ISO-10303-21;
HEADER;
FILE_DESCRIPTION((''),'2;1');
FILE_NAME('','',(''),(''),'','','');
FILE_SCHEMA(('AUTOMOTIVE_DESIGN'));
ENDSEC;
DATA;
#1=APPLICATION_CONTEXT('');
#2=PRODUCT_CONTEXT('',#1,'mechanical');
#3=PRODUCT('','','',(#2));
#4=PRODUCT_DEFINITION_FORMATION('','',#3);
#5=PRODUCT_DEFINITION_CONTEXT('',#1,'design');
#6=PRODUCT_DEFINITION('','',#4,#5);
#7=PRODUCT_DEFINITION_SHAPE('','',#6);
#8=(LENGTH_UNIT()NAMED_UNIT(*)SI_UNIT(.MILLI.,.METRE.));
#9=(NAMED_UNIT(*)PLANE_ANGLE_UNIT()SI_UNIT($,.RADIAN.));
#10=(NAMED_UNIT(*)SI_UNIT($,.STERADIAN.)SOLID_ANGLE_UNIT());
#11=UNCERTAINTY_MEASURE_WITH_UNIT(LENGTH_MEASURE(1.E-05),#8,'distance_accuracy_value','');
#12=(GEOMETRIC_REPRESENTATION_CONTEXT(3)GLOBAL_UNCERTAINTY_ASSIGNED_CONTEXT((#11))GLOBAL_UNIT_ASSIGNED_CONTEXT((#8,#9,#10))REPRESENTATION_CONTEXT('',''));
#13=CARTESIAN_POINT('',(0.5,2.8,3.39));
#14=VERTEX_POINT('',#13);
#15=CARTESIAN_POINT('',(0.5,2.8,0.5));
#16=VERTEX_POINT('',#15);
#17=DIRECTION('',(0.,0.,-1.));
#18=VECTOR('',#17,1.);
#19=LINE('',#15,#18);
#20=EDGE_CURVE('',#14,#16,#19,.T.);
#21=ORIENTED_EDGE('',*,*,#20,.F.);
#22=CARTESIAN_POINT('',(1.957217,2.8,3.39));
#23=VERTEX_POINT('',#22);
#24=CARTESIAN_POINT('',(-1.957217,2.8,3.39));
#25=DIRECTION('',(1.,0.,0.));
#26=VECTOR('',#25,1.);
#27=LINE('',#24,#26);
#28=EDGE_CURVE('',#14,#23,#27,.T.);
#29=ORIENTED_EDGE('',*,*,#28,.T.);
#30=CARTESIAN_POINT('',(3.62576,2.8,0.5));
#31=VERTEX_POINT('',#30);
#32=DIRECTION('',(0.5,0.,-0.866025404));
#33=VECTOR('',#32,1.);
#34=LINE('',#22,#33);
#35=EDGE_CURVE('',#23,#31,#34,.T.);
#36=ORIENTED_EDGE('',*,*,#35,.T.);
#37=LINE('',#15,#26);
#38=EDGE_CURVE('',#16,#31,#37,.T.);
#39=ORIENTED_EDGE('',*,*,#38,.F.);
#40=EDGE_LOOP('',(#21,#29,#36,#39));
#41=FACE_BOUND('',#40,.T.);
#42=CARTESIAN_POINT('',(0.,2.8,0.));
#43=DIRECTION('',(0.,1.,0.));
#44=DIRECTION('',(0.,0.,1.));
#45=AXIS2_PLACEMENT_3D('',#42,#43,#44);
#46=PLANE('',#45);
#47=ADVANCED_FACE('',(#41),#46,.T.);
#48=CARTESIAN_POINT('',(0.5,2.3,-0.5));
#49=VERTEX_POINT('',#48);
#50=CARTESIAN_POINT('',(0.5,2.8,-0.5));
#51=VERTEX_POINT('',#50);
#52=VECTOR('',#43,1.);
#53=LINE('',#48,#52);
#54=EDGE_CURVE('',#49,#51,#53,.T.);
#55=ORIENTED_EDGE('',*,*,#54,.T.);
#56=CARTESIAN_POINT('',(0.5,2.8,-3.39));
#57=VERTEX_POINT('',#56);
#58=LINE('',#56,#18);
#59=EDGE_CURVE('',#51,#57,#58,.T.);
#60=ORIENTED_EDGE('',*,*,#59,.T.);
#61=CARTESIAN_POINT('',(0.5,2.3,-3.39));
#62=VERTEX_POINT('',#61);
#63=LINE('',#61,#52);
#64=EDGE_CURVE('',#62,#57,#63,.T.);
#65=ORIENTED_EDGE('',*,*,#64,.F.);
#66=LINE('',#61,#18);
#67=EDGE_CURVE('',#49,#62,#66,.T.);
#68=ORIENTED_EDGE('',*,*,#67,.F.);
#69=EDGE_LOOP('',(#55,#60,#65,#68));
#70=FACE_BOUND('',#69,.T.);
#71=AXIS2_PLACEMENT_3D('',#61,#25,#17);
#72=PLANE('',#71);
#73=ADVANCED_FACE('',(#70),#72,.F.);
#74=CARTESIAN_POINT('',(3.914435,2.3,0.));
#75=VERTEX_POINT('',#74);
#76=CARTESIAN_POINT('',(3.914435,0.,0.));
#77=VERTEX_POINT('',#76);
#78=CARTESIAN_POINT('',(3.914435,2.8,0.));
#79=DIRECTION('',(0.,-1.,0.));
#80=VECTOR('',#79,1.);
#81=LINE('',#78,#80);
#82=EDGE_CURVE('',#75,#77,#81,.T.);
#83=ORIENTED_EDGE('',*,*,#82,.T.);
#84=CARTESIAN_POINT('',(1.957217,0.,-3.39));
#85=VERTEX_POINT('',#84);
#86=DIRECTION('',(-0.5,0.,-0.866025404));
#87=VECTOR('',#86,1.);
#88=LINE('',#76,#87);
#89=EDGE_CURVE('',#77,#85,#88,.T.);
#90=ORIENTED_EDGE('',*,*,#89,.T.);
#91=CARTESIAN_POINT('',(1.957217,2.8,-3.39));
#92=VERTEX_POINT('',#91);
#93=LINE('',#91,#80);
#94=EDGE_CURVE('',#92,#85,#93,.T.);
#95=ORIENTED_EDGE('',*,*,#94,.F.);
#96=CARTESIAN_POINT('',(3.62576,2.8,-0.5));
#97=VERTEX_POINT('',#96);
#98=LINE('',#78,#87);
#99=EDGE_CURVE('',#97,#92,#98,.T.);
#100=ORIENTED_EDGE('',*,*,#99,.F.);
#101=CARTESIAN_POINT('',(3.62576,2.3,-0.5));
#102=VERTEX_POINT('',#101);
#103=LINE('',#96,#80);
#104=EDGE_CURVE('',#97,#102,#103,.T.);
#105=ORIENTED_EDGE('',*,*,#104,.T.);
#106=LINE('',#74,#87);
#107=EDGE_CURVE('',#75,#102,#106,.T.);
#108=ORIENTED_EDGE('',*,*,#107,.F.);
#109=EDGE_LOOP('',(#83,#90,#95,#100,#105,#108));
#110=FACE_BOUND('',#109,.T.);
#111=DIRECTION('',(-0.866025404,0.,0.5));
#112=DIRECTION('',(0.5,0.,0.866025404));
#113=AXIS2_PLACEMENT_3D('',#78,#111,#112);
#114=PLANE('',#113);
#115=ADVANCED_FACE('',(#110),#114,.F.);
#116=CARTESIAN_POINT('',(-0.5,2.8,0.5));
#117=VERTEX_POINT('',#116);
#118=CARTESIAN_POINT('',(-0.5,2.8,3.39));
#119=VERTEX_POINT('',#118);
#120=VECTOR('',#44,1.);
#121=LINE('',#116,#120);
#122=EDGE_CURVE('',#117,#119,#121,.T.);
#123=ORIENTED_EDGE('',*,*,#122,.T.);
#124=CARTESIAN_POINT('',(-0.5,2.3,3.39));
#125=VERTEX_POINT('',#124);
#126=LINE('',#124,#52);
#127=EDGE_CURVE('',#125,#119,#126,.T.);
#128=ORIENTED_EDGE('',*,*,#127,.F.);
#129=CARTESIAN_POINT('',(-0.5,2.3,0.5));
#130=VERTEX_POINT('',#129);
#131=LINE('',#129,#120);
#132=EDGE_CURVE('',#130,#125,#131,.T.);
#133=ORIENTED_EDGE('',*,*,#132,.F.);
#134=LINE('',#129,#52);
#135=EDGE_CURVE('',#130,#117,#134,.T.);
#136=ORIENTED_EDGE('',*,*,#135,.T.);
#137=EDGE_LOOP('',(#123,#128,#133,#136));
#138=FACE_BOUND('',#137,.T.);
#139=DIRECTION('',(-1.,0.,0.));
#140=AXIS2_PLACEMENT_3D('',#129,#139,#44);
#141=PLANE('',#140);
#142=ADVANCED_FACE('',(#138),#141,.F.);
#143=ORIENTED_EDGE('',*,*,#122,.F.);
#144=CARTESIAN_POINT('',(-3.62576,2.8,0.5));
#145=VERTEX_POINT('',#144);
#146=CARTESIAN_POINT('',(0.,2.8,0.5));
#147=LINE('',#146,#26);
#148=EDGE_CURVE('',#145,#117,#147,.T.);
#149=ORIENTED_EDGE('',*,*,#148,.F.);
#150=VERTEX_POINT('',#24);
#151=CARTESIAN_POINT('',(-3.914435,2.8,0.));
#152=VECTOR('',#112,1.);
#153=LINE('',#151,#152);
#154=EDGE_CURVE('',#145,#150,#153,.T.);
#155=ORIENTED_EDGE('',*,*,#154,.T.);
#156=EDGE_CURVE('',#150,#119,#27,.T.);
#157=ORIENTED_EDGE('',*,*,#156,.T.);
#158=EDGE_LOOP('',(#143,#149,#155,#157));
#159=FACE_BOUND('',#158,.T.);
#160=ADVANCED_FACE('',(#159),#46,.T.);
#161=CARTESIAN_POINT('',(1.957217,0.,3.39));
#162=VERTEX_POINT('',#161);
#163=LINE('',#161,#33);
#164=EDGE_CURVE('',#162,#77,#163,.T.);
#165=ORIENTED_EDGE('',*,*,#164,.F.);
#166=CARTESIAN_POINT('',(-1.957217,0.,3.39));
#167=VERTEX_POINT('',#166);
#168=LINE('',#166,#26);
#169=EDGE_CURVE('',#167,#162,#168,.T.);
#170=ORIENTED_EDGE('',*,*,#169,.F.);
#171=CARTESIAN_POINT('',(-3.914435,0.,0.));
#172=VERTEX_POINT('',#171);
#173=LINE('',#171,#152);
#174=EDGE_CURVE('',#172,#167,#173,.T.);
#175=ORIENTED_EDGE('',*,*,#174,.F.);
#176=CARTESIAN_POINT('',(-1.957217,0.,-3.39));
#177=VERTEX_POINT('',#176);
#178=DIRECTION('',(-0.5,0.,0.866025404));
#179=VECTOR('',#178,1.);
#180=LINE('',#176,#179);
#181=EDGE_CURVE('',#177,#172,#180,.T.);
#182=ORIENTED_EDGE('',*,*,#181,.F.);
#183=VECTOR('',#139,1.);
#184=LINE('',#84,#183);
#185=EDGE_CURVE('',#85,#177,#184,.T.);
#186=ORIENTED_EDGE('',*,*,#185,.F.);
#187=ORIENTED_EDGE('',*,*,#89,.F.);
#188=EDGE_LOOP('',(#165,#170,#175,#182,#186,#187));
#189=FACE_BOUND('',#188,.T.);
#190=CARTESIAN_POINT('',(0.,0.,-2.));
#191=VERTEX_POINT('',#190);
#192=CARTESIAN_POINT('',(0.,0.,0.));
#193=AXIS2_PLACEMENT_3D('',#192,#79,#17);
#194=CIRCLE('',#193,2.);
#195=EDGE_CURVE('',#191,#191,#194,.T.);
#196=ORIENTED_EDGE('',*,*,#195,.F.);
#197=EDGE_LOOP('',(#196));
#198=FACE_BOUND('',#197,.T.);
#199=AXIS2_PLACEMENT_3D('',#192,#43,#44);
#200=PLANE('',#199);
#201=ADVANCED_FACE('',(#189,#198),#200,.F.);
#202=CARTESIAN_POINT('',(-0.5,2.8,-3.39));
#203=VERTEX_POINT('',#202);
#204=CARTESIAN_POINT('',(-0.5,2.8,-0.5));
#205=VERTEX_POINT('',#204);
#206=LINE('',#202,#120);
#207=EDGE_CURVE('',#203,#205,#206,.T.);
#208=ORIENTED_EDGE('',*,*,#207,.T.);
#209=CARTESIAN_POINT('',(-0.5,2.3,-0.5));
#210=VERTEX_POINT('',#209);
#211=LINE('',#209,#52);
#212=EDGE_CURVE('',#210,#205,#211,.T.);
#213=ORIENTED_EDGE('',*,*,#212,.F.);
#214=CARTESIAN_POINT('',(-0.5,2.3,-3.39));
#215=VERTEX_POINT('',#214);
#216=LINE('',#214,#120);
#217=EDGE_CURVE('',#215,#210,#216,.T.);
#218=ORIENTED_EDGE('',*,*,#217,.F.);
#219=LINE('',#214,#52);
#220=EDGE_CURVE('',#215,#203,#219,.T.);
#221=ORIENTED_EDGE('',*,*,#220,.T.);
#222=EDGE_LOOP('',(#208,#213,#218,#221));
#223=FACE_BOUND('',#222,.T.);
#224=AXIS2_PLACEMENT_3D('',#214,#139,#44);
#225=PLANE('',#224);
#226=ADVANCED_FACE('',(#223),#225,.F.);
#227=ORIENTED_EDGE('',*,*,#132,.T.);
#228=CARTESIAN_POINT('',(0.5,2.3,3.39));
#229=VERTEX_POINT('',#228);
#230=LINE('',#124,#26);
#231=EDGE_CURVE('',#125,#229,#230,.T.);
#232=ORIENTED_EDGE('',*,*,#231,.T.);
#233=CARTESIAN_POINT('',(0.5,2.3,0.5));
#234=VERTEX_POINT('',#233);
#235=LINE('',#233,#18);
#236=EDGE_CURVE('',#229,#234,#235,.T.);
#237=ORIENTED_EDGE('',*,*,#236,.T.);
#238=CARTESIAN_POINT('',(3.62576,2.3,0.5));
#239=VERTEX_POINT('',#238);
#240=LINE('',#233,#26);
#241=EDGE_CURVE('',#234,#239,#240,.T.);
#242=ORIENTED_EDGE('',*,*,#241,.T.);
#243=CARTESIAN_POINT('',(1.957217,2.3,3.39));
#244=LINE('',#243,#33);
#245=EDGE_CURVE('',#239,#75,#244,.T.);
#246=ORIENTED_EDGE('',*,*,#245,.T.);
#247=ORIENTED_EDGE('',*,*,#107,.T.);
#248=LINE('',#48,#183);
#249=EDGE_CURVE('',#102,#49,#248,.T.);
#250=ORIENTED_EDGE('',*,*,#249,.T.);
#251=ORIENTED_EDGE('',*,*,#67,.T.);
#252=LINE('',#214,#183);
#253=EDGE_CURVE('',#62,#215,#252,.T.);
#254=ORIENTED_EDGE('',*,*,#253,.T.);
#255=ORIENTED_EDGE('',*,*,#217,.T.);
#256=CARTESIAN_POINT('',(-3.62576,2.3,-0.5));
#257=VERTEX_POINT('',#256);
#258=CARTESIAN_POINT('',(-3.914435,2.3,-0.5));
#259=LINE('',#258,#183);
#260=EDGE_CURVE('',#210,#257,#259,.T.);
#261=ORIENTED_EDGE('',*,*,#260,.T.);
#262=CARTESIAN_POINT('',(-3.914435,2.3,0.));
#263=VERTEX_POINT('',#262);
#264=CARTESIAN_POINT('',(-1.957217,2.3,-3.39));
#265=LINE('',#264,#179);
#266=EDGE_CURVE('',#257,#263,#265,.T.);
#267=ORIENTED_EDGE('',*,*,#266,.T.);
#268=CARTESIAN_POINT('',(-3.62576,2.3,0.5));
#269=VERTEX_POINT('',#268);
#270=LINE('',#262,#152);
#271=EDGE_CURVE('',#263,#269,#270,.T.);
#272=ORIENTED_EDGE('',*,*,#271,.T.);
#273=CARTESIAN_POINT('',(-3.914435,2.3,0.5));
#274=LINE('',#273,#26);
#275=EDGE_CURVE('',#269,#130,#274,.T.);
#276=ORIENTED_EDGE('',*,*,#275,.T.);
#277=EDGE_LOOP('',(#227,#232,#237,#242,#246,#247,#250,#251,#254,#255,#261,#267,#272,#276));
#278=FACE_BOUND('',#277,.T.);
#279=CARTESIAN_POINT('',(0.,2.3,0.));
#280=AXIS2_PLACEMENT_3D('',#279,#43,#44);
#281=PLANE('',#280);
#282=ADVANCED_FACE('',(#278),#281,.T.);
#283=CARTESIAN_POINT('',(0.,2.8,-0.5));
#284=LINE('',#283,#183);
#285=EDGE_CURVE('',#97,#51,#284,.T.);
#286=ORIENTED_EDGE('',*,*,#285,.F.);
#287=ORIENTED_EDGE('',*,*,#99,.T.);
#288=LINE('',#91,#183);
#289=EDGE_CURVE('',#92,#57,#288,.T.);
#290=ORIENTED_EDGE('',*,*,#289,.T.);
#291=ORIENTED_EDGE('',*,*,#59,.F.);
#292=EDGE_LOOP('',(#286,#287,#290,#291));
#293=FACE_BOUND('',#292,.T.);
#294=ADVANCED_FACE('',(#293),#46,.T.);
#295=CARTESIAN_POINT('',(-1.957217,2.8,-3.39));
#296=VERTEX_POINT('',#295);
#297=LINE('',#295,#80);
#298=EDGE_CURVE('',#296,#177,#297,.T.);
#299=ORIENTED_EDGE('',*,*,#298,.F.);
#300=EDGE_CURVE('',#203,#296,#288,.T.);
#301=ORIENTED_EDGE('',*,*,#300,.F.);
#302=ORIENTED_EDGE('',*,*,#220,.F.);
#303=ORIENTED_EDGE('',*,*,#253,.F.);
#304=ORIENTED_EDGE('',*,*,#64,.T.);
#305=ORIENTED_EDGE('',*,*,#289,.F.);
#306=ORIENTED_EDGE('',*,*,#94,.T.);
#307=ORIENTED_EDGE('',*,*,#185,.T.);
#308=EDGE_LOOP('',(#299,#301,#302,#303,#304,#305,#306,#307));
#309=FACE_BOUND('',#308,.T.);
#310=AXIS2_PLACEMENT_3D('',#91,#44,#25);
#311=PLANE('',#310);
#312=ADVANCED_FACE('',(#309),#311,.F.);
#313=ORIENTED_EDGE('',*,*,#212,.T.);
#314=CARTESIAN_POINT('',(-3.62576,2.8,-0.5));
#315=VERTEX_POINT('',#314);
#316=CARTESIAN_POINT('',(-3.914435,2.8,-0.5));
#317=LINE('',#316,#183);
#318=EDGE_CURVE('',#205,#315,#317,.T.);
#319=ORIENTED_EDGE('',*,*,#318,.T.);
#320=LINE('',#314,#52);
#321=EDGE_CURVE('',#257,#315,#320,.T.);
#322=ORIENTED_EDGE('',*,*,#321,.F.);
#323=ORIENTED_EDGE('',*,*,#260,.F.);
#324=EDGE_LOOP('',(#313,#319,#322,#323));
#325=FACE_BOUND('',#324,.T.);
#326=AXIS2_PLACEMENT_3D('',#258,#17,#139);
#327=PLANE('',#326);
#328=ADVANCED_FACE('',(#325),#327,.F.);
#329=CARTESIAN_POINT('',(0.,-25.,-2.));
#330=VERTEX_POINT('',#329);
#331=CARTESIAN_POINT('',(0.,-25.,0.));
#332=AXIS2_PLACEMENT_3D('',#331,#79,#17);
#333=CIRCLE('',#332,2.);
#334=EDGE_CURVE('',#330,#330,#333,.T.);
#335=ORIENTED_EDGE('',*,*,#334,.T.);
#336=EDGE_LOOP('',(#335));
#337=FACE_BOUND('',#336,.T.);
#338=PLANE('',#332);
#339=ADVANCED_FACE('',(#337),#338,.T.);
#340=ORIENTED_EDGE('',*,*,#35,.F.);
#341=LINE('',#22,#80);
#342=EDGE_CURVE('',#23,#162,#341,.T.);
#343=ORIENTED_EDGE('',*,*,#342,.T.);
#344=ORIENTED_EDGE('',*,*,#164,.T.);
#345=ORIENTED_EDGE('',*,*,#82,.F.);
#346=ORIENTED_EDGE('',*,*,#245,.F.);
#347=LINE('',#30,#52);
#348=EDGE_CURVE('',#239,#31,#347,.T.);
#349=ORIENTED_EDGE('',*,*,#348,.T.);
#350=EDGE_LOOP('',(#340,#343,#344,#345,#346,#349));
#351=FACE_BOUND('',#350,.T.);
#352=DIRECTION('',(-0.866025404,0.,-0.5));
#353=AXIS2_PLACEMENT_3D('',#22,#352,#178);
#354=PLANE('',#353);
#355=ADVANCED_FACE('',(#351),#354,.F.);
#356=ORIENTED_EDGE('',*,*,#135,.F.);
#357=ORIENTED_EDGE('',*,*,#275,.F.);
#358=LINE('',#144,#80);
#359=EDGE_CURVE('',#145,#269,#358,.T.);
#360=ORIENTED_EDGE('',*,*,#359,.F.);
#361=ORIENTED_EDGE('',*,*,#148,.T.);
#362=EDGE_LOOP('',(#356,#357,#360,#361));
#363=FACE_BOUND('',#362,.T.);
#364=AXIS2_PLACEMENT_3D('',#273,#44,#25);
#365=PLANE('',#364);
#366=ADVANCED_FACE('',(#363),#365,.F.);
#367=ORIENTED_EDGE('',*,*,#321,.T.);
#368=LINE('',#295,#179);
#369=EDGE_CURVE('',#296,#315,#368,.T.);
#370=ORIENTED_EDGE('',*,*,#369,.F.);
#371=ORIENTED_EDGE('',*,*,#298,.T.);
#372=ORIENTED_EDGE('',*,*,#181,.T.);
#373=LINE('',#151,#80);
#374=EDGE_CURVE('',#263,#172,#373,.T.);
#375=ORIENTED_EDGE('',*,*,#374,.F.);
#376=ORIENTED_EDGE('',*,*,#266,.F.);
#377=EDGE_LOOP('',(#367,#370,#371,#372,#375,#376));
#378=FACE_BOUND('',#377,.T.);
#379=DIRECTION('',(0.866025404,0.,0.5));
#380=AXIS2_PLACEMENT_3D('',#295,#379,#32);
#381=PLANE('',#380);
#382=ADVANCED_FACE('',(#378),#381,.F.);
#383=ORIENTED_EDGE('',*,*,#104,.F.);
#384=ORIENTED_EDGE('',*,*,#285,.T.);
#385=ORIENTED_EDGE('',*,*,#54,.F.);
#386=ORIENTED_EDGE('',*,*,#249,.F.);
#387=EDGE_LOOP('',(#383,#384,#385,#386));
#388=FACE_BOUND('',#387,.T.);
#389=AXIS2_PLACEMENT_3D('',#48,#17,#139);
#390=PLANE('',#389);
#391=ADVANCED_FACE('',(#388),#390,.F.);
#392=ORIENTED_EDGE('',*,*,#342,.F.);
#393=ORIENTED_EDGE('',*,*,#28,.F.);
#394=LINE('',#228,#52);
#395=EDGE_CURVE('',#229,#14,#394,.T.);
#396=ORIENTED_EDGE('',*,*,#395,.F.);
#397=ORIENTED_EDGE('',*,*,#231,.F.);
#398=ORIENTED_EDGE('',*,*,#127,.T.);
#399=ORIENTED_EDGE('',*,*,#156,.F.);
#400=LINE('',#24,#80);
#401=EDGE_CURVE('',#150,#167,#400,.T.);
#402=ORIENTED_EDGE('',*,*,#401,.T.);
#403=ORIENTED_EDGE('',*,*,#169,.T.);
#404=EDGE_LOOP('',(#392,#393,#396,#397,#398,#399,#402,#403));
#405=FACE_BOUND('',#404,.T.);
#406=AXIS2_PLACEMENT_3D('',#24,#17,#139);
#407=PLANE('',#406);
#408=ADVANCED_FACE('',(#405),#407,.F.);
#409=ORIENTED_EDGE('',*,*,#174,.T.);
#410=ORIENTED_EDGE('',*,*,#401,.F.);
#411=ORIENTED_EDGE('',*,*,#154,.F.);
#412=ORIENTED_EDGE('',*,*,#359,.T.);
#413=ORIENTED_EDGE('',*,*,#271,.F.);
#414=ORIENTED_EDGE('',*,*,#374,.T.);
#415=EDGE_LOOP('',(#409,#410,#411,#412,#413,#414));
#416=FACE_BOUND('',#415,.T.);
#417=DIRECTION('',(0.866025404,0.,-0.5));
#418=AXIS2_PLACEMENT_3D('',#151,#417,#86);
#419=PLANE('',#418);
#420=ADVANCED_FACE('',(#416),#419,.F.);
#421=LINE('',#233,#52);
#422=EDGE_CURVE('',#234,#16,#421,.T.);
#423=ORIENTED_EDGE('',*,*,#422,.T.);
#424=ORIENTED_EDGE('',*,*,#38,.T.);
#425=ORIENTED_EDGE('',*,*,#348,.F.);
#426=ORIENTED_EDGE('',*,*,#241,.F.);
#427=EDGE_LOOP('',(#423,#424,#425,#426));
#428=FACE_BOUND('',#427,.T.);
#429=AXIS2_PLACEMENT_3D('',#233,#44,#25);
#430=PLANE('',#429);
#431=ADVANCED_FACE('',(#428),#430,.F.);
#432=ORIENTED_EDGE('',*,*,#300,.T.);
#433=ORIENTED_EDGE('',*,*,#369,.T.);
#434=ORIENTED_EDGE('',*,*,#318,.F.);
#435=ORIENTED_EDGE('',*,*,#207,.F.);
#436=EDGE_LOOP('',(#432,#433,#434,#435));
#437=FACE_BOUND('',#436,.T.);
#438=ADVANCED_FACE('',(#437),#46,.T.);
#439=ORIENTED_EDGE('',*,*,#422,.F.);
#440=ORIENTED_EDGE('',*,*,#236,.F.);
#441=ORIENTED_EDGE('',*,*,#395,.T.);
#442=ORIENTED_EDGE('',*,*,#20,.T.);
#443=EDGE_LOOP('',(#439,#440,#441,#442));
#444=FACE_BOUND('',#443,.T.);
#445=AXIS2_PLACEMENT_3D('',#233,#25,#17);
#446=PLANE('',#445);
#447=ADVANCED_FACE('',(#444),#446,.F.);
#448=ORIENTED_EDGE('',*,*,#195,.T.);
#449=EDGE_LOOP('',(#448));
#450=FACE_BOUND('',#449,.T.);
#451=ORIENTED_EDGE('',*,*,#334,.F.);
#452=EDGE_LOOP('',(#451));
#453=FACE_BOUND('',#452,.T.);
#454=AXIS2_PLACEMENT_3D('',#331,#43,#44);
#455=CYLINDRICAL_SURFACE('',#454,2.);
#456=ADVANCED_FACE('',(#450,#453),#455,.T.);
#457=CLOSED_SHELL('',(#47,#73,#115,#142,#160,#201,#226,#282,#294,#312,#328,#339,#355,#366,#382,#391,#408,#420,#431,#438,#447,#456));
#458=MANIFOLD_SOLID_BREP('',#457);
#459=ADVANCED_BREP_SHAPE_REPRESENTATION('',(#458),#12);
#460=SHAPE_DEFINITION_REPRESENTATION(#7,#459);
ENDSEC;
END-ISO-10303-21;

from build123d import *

# Parameters (mm, degrees)
BOSS_EXTRUDE1_DEPTH = 2.8
CUT_EXTRUDE1_DEPTH  = 0.5
SKETCH3_R           = 2
BOSS_EXTRUDE2_DEPTH = 25


with BuildPart() as part:
    # Sketch1 → Boss-Extrude1 (new body)
    with BuildSketch(Plane(origin=(0, 0, 0), x_dir=(1, 0, 0), z_dir=(0, 1, 0))):
        Polygon((1.957217413, -3.39), (3.914434825, 0), (1.957217413, 3.39), (-1.957217413, 3.39), (-3.914434825, 0), (-1.957217413, -3.39), align=None)
    extrude(amount=BOSS_EXTRUDE1_DEPTH)

    # Sketch2 → Cut-Extrude1 (cut)
    with BuildSketch(Plane(origin=(0, 2.8, 0), x_dir=(1, 0, 0), z_dir=(0, 1, 0))):
        Polygon((-0.5, 3.39), (0.5, 3.39), (0.5, 0.5), (3.914434825, 0.5), (3.914434825, -0.5), (0.5, -0.5), (0.5, -3.39), (-0.5, -3.39), (-0.5, -0.5), (-3.914434825, -0.5), (-3.914434825, 0.5), (-0.5, 0.5), align=None)
    extrude(amount=-CUT_EXTRUDE1_DEPTH, mode=Mode.SUBTRACT)

    # Sketch3 → Boss-Extrude2 (add)
    with BuildSketch(Plane.XZ):
        with Locations(Location((0, 0, 0), (0, 0, 270))):
            Circle(SKETCH3_R)
    extrude(amount=BOSS_EXTRUDE2_DEPTH)


solid = part.part
